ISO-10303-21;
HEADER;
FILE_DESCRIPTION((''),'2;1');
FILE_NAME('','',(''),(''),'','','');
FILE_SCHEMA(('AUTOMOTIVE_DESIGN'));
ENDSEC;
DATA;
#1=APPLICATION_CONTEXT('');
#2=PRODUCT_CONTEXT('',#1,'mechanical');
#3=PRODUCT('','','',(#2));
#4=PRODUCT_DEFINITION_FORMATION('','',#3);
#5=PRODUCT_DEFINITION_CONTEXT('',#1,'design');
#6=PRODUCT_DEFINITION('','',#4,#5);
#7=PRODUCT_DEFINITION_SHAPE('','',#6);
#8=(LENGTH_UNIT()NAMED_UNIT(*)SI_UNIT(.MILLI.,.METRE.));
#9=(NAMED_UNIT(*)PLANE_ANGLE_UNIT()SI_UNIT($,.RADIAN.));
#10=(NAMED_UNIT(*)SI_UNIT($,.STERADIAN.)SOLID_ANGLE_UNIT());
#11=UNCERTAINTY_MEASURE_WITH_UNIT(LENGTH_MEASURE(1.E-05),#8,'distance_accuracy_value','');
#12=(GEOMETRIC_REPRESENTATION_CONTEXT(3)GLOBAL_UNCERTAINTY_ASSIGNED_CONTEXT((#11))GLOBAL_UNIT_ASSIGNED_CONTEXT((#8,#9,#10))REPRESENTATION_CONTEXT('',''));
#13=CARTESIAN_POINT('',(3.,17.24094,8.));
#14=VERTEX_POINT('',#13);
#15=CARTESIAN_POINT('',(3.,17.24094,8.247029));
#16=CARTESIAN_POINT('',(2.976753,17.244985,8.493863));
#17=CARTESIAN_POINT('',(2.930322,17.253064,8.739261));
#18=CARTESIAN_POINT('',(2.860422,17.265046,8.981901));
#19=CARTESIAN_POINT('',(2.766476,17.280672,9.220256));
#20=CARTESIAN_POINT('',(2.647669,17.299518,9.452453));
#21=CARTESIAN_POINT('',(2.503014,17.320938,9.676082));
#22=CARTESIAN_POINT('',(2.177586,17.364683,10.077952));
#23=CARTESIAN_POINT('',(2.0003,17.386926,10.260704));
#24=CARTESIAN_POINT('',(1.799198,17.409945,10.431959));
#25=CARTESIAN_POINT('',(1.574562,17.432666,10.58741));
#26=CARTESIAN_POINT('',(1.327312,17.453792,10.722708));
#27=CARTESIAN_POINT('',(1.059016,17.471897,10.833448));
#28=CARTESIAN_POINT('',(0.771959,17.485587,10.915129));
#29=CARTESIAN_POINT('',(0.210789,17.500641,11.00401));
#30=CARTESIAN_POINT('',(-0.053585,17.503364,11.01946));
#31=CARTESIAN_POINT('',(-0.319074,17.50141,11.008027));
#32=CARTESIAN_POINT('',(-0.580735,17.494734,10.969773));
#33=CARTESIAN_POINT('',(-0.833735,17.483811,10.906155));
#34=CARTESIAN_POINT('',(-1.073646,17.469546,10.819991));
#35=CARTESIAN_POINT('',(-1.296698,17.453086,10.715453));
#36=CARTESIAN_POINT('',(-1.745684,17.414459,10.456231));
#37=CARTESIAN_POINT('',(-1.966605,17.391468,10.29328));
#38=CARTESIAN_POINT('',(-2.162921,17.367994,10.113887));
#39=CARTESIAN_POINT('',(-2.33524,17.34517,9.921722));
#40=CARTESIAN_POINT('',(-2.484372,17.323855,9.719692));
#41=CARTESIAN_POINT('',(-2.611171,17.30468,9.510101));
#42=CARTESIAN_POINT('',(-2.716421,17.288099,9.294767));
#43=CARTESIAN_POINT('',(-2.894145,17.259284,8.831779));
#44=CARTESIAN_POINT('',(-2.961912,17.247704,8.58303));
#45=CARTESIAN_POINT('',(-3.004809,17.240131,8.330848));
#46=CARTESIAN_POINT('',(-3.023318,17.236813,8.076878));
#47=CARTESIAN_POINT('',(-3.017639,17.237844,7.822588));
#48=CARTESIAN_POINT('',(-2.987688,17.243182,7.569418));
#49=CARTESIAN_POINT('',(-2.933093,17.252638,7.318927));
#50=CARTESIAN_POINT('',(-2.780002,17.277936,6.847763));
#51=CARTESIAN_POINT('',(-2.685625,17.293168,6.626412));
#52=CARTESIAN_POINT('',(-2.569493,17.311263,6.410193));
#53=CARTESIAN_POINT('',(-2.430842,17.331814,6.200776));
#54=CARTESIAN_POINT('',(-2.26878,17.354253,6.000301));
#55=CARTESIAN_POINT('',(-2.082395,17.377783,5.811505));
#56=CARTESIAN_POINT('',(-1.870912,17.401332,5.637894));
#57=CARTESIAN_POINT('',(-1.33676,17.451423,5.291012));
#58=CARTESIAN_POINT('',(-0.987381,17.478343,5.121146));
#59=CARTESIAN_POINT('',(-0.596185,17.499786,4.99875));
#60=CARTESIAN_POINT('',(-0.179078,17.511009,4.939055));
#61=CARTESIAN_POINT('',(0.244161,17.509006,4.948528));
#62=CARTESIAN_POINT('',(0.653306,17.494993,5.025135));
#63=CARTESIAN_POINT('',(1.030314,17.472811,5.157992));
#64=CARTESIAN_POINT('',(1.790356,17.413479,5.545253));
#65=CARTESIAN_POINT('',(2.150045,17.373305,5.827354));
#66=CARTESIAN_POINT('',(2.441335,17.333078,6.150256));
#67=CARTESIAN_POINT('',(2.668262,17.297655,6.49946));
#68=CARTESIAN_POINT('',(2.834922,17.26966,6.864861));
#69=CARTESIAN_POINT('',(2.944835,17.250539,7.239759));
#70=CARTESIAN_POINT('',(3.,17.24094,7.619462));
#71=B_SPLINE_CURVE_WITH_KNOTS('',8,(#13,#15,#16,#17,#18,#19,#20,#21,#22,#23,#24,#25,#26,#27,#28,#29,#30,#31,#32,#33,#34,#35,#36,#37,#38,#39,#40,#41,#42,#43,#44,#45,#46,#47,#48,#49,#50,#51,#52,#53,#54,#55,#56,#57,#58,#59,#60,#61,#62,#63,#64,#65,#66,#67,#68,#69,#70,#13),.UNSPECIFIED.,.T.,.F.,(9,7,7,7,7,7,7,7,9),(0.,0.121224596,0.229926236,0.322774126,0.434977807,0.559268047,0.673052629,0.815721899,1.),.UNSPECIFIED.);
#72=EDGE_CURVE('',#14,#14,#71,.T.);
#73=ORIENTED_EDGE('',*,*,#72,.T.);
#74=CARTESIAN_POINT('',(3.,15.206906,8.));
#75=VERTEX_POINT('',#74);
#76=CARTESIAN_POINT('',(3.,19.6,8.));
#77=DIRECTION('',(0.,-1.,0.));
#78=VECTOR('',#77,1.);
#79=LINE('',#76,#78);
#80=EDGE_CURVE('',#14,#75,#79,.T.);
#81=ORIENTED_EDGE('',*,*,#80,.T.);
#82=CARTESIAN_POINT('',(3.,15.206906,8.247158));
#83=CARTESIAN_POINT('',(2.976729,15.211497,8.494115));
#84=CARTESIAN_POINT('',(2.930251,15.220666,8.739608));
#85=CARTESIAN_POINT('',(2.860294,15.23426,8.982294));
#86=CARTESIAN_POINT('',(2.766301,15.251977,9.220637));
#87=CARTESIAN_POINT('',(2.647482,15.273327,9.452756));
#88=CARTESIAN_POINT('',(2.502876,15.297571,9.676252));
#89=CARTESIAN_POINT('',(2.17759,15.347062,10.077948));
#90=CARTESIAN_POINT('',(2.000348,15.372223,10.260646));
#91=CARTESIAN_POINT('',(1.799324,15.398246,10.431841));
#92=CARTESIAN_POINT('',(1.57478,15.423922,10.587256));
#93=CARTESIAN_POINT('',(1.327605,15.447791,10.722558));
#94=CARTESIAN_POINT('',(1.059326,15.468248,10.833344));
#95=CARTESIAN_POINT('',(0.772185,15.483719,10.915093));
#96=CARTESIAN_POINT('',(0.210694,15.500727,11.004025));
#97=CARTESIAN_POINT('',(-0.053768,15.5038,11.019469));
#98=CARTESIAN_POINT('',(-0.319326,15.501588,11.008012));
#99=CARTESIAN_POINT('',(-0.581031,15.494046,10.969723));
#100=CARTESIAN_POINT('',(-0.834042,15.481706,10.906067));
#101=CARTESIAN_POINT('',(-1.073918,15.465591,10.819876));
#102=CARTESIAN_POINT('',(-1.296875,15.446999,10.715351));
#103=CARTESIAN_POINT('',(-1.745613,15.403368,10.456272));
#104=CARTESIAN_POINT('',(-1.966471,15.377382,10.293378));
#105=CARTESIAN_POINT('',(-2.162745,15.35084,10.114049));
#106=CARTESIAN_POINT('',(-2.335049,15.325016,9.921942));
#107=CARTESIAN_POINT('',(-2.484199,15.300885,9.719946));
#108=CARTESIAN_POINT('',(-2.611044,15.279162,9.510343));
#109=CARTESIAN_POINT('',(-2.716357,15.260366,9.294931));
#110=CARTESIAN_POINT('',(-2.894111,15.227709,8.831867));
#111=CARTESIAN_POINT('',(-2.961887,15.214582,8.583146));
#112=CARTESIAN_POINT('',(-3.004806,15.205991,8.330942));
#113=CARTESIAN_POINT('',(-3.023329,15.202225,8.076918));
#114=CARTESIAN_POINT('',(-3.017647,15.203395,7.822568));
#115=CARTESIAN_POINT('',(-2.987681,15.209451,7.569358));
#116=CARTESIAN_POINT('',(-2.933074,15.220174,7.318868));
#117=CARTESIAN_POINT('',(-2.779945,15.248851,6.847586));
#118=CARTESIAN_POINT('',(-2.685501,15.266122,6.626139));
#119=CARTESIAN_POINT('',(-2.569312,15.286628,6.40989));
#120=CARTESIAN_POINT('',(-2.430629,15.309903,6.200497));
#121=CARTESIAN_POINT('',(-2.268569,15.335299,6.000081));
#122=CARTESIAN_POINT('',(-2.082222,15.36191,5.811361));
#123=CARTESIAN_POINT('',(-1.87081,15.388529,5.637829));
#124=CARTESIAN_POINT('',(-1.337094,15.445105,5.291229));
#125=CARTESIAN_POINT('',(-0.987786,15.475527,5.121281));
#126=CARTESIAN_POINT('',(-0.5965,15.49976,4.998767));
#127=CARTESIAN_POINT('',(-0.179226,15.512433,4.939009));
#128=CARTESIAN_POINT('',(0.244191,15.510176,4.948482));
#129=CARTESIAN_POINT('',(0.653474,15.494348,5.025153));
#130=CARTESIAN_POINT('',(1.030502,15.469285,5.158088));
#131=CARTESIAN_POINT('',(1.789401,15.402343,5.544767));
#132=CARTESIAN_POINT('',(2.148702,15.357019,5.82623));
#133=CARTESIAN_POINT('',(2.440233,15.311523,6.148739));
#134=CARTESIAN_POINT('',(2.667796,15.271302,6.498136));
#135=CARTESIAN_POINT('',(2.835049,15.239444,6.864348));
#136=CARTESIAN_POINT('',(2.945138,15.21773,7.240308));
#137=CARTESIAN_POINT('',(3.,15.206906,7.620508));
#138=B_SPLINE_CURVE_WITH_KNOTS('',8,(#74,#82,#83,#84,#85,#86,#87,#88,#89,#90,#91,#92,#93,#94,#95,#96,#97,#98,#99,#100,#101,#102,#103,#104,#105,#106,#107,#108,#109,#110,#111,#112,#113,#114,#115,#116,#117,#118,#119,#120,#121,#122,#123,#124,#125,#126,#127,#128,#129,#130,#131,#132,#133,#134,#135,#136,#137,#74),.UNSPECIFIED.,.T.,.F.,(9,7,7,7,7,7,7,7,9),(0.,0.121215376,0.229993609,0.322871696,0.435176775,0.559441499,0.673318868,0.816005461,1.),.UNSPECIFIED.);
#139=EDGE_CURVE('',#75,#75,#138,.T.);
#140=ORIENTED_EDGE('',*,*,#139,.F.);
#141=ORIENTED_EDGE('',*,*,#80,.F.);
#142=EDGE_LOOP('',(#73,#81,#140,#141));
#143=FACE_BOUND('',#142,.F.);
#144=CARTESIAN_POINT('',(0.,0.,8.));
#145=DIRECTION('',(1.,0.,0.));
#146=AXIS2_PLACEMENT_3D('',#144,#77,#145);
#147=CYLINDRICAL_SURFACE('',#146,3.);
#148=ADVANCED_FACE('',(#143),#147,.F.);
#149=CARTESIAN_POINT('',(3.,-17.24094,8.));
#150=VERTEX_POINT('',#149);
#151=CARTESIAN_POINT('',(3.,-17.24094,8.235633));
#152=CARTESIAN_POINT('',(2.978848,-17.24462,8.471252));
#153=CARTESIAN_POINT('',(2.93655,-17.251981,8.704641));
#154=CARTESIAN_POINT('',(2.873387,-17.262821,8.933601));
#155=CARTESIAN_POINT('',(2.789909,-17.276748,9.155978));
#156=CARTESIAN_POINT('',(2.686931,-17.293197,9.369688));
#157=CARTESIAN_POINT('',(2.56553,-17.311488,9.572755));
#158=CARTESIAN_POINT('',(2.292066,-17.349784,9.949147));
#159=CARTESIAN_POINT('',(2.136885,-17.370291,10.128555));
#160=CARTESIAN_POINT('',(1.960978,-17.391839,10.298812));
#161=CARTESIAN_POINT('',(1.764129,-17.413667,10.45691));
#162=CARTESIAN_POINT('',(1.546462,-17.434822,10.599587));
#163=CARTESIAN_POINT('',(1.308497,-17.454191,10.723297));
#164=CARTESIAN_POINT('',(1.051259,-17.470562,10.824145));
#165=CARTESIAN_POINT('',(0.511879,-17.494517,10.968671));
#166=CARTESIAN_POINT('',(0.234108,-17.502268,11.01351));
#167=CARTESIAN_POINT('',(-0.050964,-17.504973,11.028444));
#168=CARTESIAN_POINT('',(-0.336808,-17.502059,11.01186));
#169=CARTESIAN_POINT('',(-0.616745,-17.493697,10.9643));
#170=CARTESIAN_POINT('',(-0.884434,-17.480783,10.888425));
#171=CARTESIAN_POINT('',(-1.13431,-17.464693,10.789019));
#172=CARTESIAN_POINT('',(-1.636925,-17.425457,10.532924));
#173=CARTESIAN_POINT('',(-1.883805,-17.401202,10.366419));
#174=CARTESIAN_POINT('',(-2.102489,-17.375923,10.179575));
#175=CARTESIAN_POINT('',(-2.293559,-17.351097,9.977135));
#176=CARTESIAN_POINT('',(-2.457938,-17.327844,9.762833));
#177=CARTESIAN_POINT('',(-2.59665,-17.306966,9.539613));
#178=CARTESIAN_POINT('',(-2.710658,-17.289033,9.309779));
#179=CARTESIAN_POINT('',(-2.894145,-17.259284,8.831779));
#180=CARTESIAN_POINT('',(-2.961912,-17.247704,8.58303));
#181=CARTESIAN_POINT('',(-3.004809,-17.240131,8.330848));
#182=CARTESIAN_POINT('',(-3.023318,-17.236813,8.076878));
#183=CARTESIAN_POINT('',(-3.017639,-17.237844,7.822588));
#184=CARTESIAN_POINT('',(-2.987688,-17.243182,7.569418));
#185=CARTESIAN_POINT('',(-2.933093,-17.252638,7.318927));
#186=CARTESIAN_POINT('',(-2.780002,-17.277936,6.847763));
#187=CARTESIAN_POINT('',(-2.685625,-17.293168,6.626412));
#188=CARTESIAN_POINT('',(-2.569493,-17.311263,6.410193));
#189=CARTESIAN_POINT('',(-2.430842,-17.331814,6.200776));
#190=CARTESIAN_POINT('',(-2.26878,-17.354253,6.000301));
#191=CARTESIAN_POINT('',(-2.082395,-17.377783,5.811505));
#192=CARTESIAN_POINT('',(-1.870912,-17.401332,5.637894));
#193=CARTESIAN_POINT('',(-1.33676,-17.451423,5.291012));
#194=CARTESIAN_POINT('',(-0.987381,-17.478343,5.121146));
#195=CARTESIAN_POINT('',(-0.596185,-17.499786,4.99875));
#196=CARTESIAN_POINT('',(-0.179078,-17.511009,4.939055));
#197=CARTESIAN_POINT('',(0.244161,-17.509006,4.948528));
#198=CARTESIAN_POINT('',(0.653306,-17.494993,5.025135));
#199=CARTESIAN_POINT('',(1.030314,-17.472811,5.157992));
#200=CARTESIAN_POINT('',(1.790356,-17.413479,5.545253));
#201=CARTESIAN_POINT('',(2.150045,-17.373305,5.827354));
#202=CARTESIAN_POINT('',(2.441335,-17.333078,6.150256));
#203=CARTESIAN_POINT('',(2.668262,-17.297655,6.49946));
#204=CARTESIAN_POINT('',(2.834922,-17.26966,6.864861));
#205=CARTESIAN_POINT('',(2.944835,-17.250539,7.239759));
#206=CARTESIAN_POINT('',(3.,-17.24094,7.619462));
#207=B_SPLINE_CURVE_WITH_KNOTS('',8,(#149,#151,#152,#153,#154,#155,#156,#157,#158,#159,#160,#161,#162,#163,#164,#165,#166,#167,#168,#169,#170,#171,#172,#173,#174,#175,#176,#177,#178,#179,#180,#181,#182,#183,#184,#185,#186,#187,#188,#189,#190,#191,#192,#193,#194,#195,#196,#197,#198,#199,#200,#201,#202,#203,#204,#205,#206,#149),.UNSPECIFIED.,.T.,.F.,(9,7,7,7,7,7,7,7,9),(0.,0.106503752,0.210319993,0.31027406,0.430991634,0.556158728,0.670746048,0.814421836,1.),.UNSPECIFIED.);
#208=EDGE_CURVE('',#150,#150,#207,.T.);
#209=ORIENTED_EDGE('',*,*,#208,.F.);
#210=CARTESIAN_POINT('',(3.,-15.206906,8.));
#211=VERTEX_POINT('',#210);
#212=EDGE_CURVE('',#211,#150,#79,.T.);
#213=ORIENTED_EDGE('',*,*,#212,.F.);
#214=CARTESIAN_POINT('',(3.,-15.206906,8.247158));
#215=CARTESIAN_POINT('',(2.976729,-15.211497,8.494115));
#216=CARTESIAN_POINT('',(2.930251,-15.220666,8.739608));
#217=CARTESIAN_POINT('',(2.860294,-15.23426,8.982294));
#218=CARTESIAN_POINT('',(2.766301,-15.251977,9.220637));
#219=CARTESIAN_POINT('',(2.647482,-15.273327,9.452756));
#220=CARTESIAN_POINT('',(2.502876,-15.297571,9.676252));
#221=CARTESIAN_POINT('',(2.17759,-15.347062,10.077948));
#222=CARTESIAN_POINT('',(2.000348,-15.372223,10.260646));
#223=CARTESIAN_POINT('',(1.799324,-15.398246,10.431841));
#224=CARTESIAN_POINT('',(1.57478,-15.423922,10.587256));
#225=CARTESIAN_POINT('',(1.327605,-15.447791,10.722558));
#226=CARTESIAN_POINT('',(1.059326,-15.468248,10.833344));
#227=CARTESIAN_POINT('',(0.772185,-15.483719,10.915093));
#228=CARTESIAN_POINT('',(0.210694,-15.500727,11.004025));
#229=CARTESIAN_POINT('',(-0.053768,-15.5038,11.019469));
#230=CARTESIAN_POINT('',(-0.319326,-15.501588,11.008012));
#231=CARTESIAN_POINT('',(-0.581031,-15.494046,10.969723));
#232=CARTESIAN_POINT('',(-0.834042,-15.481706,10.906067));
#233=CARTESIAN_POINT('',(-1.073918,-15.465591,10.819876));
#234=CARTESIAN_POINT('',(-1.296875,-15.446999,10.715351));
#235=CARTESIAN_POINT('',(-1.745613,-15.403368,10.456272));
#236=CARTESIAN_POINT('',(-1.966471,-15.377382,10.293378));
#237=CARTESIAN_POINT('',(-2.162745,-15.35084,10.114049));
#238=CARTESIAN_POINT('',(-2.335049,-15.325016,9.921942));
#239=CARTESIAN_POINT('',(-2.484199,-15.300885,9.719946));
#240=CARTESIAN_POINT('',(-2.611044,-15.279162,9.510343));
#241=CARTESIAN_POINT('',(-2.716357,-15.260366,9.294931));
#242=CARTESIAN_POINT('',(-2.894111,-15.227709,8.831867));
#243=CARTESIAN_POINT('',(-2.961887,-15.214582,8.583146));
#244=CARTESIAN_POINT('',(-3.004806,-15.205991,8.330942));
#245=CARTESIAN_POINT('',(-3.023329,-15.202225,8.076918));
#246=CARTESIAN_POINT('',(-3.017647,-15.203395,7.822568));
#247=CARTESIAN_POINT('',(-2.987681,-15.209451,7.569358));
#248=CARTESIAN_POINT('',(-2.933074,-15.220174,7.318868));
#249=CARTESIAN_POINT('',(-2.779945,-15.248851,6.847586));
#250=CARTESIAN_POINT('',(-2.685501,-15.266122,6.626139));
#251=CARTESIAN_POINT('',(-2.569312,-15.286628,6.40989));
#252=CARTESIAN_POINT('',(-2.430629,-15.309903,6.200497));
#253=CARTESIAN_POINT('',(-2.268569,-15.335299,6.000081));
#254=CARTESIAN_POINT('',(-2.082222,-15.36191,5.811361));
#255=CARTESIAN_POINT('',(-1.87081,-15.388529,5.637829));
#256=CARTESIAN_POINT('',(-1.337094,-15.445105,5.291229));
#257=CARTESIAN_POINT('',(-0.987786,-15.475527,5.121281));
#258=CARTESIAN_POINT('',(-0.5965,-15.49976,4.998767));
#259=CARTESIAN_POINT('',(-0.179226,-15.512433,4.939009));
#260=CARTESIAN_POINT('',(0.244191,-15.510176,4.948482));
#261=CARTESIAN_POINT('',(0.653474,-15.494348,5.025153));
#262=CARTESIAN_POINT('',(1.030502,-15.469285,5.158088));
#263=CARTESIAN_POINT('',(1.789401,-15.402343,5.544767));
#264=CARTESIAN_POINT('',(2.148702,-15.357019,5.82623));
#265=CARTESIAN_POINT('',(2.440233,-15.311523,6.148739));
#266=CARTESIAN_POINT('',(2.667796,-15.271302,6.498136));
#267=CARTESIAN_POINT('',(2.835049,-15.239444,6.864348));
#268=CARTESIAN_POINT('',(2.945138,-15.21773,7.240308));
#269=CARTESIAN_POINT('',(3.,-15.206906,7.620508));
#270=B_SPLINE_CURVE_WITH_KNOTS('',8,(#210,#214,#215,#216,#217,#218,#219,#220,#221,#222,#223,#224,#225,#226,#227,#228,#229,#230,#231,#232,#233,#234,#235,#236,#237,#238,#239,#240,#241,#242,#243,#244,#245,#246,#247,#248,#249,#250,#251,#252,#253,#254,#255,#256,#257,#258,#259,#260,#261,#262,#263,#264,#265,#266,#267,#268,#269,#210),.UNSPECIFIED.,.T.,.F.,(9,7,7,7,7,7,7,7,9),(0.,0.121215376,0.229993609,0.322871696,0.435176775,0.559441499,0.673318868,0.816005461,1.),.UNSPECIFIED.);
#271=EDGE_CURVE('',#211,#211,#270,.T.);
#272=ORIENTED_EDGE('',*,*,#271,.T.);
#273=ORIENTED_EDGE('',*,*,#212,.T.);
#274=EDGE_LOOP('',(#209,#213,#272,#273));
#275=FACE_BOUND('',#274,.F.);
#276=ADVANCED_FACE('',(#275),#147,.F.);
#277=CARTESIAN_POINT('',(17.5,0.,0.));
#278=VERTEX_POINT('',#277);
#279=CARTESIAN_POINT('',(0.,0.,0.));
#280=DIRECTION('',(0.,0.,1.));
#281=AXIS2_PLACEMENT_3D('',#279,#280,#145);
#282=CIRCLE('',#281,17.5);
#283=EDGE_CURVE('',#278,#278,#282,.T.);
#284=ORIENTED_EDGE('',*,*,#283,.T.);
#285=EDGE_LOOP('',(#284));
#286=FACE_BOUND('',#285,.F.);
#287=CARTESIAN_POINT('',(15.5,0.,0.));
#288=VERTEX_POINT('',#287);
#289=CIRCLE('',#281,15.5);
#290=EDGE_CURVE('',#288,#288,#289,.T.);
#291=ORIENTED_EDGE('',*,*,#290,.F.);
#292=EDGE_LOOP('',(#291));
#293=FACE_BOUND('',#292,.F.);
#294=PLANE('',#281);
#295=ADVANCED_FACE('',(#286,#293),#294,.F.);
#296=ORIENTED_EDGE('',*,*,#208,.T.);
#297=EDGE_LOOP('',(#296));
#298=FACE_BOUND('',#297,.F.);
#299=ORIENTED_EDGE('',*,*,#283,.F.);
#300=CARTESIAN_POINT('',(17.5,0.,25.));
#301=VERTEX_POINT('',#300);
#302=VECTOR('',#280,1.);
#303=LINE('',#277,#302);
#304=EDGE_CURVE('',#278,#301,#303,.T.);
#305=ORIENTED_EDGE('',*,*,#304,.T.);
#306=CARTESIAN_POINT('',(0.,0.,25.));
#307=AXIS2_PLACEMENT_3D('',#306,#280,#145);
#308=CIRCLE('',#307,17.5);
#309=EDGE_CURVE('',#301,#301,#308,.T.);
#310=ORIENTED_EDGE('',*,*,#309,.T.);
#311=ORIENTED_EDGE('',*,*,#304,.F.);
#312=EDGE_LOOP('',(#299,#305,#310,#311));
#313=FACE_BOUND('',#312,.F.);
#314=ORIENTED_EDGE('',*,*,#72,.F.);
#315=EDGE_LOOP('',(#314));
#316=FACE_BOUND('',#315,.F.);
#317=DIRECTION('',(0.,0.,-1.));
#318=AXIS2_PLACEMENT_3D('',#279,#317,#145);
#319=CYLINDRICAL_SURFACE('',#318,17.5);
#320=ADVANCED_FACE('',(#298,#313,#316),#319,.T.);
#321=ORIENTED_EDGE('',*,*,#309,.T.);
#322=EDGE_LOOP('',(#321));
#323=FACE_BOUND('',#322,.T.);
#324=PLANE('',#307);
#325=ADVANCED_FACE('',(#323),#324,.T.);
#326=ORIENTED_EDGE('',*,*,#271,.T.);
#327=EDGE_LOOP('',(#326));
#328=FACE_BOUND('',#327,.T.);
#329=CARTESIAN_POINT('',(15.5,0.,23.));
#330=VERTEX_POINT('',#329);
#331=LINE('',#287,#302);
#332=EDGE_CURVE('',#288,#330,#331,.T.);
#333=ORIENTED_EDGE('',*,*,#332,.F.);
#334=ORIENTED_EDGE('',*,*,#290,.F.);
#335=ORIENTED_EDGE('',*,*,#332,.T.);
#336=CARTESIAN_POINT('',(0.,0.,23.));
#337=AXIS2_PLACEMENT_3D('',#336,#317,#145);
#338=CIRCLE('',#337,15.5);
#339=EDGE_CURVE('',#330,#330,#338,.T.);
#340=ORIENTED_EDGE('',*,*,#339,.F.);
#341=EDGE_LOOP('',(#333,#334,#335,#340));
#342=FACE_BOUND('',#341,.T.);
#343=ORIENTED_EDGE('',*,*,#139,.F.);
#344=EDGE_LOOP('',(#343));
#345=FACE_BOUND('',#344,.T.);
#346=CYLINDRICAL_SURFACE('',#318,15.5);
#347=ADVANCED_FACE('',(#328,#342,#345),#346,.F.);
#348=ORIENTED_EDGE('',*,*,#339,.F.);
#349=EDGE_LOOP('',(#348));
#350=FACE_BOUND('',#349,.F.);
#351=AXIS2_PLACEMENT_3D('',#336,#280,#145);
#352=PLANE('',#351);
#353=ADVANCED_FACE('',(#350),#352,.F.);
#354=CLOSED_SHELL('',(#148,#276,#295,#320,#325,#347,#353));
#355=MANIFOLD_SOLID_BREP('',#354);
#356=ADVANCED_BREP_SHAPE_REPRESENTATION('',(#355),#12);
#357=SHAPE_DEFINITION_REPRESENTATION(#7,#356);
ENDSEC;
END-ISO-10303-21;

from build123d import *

# Parameters (mm, degrees)
F0_R     = 17.5
F1_DEPTH = 25
F2_T     = -2
F3_R     = 3
F4_DEPTH = 19.6


with BuildPart() as f1:
    # F0 (on Top) → F1 (new body)
    with BuildSketch(Plane.XY):
        Circle(F0_R)
    extrude(amount=F1_DEPTH)

    # F2
    f2_openings = [f1.faces().sort_by_distance(p)[0] for p in [
        (0, 0, 0),
    ]]
    offset(amount=F2_T, openings=f2_openings)

    # F3 (on Front) → F4 (cut, symmetric)
    with BuildSketch(Plane.XZ):
        with Locations((0, 8)):
            Circle(F3_R)
    extrude(amount=F4_DEPTH, both=True, mode=Mode.SUBTRACT)


solid = f1.part
